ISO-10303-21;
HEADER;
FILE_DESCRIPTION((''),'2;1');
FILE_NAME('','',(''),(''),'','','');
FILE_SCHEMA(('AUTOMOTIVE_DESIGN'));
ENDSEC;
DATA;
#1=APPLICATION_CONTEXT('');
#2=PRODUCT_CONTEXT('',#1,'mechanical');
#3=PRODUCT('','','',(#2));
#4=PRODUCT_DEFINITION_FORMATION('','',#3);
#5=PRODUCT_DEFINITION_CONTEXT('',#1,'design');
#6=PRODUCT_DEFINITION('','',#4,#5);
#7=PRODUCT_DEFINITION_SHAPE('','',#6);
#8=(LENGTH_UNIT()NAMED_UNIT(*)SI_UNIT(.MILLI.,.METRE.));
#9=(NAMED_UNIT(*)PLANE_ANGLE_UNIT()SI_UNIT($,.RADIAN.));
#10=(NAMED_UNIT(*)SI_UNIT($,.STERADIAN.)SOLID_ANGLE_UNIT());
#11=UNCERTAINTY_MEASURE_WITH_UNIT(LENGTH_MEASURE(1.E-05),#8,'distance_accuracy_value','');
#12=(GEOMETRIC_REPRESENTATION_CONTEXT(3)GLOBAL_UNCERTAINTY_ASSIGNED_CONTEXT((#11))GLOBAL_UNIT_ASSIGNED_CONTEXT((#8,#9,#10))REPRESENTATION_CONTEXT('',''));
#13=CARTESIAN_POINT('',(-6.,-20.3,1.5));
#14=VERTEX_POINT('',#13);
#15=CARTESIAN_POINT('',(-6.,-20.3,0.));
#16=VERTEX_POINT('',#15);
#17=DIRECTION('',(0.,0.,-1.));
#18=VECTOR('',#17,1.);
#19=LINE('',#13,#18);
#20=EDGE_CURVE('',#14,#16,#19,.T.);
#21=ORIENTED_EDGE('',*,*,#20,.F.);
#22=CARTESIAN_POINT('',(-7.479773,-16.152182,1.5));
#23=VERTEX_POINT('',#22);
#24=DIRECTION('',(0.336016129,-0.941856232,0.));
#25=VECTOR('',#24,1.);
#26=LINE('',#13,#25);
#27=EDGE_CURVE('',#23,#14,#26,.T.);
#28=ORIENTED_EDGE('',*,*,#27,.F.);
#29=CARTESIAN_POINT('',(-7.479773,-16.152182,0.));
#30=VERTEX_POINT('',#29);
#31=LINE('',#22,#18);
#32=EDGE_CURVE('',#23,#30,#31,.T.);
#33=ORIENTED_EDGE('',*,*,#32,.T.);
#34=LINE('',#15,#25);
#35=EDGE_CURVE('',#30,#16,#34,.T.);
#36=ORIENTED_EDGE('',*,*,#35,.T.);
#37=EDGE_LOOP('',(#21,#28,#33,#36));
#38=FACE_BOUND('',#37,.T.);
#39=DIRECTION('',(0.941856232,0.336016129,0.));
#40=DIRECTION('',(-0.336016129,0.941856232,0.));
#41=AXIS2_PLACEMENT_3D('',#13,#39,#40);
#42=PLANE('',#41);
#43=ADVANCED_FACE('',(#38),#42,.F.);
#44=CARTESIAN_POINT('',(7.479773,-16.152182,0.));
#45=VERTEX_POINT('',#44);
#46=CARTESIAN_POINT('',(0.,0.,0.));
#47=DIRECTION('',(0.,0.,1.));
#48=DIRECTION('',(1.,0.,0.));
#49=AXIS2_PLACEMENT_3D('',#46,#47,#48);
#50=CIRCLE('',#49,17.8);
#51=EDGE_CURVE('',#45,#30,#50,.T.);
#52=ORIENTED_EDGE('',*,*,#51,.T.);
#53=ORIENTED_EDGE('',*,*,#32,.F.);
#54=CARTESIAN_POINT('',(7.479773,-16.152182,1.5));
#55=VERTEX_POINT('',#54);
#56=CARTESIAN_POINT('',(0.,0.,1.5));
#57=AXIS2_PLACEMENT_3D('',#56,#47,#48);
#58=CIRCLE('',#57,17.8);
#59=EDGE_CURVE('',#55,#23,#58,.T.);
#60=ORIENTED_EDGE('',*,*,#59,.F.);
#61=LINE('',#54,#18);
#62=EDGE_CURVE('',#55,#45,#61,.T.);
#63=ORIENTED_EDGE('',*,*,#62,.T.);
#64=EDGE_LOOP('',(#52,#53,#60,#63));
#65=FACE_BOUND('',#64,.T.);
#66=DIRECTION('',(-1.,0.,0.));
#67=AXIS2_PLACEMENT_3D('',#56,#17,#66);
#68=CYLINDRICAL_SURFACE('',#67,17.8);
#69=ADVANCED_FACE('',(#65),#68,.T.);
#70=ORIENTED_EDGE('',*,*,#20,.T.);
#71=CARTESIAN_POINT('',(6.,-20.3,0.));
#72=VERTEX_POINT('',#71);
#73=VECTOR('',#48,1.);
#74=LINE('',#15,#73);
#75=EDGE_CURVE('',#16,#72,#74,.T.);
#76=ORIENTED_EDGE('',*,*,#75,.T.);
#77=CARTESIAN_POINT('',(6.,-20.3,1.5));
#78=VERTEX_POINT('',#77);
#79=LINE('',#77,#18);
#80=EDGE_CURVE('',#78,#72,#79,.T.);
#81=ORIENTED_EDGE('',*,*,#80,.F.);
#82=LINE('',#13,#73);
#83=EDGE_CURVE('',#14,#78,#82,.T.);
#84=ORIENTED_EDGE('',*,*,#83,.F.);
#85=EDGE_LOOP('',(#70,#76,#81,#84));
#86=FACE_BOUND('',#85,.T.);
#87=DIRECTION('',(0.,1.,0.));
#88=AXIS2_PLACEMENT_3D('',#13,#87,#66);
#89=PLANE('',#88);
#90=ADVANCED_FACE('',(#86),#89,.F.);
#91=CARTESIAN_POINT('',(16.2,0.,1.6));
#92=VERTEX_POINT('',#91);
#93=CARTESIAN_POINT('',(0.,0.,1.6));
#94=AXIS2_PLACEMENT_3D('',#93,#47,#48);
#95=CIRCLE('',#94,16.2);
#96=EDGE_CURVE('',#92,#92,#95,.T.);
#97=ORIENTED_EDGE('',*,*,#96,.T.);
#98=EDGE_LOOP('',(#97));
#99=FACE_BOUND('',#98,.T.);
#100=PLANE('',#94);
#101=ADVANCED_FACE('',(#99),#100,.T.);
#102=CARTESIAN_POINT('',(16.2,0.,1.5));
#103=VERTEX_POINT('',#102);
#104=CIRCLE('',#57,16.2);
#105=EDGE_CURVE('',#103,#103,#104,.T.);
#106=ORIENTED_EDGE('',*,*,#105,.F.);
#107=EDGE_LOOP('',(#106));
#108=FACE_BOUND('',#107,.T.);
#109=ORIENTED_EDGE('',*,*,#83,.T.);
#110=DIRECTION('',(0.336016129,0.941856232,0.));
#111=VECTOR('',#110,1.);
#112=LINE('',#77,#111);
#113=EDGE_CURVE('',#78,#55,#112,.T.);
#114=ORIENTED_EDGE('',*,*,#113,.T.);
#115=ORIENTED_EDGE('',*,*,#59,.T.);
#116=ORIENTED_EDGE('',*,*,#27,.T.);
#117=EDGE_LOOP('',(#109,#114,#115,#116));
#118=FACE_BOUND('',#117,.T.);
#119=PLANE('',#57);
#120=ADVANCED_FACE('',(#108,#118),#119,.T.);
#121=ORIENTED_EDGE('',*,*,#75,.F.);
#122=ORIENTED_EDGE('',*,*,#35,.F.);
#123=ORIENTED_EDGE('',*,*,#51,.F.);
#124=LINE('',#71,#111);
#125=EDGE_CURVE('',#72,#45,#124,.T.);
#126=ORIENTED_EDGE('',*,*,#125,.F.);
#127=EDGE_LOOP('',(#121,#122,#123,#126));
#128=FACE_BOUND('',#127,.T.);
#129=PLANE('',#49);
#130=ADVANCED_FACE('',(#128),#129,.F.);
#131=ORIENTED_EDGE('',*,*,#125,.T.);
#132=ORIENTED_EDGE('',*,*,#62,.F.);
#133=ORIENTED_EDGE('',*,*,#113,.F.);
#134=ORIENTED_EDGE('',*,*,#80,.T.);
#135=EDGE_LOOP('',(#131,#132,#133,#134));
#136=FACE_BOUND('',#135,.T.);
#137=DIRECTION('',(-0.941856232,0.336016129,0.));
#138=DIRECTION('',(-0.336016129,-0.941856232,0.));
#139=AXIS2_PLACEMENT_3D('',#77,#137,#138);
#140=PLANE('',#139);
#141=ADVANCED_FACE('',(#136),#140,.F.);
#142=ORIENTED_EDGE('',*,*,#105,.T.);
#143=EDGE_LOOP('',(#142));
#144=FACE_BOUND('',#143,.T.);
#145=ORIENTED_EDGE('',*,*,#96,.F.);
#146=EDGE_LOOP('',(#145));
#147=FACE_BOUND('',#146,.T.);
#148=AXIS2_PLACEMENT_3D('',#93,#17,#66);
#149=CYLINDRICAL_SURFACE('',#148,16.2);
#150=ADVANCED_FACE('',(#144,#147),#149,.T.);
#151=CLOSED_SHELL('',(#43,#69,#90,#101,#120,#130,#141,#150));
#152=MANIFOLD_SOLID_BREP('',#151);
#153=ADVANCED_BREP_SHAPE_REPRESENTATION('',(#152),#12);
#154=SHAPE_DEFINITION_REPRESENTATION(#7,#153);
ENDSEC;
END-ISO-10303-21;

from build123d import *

# Parameters (mm, degrees)
EXTRUDE_1_DEPTH = 1.5
SKETCH_3_R      = 16.2
EXTRUDE_2_DEPTH = 0.1


with BuildPart() as part:
    # 草图2 → 凸台-拉伸1 (new body)
    with BuildSketch(Plane.XY):
        with BuildLine():
            Line((-6, -20.3), (6, -20.3))
            Line((6, -20.3), (7.479773249, -16.152182272))
            ThreePointArc((7.479773249, -16.152182272), (0, 17.8), (-7.479773249, -16.152182272))
            Line((-7.479773249, -16.152182272), (-6, -20.3))
        make_face()
    extrude(amount=EXTRUDE_1_DEPTH)

    # 草图3 → 凸台-拉伸2 (add)
    with BuildSketch(Plane.XY.offset(1.5)):
        Circle(SKETCH_3_R)
    extrude(amount=EXTRUDE_2_DEPTH)


solid = part.part
